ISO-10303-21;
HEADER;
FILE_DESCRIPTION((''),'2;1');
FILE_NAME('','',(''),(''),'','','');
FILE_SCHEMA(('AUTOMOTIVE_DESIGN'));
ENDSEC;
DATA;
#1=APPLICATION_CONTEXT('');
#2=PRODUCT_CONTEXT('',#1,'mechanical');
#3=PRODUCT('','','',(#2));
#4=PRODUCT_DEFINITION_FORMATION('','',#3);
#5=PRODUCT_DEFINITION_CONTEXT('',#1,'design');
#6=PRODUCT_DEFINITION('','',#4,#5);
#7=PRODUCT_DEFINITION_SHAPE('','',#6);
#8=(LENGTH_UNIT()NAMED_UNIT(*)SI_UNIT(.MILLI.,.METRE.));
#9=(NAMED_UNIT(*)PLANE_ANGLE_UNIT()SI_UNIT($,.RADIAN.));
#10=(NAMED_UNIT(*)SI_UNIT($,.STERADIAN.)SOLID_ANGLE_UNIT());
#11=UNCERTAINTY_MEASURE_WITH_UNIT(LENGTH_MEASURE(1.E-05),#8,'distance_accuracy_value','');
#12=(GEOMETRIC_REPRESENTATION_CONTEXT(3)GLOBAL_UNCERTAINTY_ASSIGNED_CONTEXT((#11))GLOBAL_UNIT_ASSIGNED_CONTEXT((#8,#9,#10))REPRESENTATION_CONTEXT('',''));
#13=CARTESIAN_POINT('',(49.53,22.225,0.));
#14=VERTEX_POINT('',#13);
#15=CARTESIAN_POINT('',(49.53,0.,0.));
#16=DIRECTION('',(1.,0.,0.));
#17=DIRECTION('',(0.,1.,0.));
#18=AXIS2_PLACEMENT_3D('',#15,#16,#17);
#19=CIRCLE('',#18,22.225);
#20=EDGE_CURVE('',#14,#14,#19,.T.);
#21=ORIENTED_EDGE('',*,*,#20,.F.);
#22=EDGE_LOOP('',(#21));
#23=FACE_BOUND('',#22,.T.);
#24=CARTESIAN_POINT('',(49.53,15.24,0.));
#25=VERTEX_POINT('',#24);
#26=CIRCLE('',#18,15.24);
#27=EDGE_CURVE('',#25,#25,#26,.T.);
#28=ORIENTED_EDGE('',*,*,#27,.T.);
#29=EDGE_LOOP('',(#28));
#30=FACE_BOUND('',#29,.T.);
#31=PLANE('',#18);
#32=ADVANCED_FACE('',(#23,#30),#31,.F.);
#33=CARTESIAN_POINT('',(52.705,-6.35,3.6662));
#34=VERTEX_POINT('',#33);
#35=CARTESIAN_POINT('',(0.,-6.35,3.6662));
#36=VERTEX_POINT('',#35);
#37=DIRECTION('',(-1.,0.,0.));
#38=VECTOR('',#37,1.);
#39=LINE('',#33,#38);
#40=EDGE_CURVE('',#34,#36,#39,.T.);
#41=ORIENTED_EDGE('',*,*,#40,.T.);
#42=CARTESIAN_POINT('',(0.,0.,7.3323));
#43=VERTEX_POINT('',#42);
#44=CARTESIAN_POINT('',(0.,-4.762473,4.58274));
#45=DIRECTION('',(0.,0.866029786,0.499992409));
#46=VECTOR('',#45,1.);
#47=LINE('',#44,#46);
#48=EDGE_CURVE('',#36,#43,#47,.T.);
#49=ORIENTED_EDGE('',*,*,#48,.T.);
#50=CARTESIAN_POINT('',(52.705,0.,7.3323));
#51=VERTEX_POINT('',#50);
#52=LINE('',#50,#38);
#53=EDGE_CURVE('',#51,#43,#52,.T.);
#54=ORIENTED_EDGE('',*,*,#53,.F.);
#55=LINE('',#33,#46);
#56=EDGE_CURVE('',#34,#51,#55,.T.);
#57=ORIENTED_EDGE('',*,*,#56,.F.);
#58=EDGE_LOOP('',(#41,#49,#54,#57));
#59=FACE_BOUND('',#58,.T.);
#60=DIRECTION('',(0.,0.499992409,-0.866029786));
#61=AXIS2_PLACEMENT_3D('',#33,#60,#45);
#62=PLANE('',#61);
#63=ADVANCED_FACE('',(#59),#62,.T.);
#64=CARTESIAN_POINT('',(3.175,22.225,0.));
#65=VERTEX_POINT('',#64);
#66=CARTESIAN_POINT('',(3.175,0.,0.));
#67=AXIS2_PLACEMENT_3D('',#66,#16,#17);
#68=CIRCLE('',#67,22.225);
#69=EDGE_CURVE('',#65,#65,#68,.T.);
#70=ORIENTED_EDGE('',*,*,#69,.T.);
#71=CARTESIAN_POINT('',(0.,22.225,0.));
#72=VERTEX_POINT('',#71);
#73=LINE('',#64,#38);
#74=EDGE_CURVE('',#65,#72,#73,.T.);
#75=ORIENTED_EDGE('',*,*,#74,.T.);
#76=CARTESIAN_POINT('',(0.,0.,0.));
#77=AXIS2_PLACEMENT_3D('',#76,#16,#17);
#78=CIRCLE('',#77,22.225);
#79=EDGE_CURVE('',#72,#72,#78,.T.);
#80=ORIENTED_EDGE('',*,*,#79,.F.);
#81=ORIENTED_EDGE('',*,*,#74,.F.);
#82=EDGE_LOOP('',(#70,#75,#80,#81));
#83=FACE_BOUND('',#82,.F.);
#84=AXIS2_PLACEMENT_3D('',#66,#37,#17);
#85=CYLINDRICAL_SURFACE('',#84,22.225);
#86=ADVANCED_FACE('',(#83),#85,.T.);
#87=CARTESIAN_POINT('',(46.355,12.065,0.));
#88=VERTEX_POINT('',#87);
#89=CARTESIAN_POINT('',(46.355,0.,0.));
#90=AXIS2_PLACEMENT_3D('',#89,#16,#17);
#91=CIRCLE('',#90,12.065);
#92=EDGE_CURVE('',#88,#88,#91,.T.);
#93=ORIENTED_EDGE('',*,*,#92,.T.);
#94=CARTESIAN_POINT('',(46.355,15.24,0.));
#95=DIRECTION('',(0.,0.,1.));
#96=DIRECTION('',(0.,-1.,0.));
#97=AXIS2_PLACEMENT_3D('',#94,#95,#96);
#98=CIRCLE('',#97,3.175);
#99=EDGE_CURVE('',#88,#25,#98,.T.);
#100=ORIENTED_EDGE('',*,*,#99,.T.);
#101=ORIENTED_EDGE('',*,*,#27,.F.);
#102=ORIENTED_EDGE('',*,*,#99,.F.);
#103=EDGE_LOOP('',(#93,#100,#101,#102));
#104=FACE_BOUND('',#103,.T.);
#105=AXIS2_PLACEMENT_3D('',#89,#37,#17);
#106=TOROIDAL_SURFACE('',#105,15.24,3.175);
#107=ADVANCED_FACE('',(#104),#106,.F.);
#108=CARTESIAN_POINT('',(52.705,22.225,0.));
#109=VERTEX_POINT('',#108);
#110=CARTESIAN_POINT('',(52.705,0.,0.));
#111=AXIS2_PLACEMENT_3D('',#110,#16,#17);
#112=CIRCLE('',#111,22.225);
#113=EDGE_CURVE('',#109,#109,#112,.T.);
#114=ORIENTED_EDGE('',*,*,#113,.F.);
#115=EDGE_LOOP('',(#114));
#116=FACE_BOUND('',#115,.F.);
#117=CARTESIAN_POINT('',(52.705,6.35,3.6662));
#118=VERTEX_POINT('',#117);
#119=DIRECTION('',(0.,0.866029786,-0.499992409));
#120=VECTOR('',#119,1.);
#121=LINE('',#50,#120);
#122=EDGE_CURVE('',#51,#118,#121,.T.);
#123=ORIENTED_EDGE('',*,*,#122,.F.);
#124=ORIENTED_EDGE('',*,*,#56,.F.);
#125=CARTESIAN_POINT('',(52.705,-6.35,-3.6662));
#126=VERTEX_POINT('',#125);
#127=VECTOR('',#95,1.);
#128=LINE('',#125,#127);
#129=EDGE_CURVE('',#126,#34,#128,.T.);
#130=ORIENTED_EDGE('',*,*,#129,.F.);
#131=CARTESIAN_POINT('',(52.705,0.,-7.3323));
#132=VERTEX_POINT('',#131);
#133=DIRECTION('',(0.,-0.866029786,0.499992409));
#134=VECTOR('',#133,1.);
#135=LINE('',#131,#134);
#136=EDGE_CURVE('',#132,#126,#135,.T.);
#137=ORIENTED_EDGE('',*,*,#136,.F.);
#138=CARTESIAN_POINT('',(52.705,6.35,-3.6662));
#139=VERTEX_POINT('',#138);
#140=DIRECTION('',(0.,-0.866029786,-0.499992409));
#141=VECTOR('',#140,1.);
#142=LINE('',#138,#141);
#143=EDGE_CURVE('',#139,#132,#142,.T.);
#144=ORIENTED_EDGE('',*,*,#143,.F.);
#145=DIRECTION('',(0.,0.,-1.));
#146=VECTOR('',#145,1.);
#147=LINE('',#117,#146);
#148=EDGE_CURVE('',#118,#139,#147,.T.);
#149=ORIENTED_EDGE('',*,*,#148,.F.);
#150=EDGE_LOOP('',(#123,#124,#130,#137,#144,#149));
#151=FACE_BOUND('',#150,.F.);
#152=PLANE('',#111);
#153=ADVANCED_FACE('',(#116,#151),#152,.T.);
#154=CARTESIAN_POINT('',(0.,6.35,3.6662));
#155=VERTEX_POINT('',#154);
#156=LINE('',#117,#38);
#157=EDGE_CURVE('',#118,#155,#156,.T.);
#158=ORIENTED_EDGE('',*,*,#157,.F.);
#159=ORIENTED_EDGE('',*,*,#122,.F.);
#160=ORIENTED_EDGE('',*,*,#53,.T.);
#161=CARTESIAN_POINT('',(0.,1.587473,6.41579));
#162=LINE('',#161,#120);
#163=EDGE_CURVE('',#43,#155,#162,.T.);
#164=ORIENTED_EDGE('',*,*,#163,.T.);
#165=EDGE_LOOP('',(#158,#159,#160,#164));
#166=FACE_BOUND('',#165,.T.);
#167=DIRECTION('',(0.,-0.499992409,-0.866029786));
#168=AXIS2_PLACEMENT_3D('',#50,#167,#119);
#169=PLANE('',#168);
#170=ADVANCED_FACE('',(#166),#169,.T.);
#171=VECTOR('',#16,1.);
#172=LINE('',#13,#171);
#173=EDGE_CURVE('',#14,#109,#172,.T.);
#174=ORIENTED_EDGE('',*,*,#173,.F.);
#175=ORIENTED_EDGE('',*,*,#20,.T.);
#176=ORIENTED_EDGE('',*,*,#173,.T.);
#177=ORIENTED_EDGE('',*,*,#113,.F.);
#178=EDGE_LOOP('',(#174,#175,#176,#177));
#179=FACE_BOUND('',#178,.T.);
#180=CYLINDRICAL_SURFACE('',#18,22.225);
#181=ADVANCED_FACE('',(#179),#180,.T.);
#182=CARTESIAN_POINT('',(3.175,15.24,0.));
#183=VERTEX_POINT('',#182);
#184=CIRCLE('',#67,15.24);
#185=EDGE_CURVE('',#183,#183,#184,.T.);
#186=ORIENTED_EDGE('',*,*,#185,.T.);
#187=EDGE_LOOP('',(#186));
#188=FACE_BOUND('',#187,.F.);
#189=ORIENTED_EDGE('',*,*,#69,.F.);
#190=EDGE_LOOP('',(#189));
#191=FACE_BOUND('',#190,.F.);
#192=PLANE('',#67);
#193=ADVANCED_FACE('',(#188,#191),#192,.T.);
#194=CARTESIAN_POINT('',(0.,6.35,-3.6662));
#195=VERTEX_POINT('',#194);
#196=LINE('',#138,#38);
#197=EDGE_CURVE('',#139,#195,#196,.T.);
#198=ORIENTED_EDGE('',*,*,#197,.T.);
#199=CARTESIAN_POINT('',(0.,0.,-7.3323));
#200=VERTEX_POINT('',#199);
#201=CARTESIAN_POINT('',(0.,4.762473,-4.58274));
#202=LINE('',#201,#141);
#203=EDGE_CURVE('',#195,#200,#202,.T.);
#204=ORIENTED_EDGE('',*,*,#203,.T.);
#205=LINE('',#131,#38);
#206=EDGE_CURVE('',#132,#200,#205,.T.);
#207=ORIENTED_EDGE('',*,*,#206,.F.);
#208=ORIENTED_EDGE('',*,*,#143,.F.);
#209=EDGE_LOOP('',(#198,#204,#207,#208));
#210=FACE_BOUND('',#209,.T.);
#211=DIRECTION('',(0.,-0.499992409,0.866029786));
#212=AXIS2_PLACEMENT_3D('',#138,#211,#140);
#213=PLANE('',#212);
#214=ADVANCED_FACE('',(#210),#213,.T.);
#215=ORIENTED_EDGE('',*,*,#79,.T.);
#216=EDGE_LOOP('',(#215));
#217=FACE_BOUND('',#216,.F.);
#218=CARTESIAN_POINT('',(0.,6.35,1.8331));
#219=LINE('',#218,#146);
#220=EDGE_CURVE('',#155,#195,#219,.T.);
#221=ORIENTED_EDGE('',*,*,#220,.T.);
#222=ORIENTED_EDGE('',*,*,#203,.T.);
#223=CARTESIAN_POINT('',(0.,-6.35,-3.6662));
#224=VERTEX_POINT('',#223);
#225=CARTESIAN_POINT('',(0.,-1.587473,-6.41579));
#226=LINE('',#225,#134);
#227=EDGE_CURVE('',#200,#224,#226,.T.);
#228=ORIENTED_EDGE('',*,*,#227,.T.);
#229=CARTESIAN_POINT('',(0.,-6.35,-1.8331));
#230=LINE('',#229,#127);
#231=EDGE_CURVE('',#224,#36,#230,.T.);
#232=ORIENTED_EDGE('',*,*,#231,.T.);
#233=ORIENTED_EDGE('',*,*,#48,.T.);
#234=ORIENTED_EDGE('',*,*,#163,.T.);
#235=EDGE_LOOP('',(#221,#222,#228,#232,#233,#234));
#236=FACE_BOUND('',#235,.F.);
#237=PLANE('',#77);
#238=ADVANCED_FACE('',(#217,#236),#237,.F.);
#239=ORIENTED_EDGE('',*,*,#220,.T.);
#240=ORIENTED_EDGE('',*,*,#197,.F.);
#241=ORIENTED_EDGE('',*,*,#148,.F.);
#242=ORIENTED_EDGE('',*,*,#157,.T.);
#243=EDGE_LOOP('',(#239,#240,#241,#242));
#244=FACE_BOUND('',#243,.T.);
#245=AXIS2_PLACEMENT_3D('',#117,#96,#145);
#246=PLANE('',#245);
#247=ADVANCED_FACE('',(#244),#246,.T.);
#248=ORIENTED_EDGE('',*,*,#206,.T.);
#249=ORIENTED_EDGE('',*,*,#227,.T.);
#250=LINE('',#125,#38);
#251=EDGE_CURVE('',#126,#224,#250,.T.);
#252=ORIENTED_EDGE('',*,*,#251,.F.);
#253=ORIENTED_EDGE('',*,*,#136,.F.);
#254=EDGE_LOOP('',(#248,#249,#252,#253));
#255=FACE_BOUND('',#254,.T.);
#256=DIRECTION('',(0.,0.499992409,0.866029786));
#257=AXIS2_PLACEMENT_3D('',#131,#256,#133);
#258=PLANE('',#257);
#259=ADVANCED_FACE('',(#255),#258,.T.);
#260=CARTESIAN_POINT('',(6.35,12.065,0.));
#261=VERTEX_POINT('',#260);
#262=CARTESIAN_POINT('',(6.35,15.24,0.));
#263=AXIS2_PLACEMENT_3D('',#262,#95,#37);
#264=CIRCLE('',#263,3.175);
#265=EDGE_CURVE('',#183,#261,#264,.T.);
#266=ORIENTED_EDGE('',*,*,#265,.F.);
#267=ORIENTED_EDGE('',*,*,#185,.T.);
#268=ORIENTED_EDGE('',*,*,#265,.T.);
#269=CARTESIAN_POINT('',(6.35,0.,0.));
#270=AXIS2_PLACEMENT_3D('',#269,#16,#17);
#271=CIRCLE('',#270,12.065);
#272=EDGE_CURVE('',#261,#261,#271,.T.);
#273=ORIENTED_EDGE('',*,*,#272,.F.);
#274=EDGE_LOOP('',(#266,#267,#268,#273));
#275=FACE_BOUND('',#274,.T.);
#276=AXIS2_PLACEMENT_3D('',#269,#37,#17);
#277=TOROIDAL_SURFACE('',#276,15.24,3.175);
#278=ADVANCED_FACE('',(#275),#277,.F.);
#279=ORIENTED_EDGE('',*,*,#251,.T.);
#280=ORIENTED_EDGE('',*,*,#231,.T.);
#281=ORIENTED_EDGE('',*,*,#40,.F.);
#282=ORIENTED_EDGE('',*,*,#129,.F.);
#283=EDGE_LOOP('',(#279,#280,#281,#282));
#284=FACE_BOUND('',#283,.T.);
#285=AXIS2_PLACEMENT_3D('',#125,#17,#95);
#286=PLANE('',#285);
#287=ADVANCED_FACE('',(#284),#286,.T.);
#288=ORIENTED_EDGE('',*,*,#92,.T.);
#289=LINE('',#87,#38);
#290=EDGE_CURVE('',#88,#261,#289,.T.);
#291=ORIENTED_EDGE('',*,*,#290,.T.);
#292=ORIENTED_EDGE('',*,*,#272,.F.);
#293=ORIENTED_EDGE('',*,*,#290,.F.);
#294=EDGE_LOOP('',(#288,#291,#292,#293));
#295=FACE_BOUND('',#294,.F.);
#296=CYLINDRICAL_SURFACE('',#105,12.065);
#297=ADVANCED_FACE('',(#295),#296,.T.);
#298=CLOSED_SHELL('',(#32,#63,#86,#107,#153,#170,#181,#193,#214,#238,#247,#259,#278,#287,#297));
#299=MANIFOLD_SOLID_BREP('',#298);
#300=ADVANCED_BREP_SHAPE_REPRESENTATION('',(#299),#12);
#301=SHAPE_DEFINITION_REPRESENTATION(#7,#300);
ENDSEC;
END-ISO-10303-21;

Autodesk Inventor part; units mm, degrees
ref_plane "YZ Plane" through (0, 0, 0) normal (1, 0, 0) x (0, 1, 0)
ref_plane "XZ Plane" through (0, 0, 0) normal (0, 1, 0) x (-1, 0, 0)
ref_plane "XY Plane" through (0, 0, 0) normal (0, 0, 1) x (1, 0, 0)
sketch "Sketch1" plane through (0, 0, 0) normal (0, 0, 1) x (1, 0, 0)
  line L0 (0, 0) -> (3.175, 0)
  line L1 (3.175, 15.24) -> (3.175, 22.225)
  line L2 (3.175, 22.225) -> (0, 22.225)
  line L3 (0, 22.225) -> (0, 0)
  line L4 (0, 0) -> (52.705, 0)
  line L5 (52.705, 0) -> (52.705, 12.065)
  line L6 (46.355, 12.065) -> (6.35, 12.065)
  line L7 (0, 12.065) -> (0, 0)
  line L8 (52.705, 0) -> (49.53, 0)
  line L9 (49.53, 15.24) -> (49.53, 22.225)
  line L10 (49.53, 22.225) -> (52.705, 22.225)
  line L11 (52.705, 22.225) -> (52.705, 0)
  arc A0 (3.175, 15.24) -> (6.35, 12.065) centre (6.35, 15.24) ccw
  arc A1 (46.355, 12.065) -> (49.53, 15.24) centre (46.355, 15.24) ccw
  dimension "d0" = 52.705
  dimension "d1" = 22.225
  dimension "d2" = 12.065
  dimension "d3" = 3.175
  dimension "d4" = 3.175
  dimension "d5" = 3.175
revolve "Revolution1" add sketch "Sketch1" angle 360 about axis through (0, 0, 0) along (1, 0, 0)
sketch "Sketch2" plane through (52.705, 0, 0) normal (1, 0, 0) x (0, 0, -1)
  line L0 (7.3323, 0) -> (3.6662, -6.35)
  line L1 (3.6662, -6.35) -> (-3.6662, -6.35)
  line L2 (-3.6662, -6.35) -> (-7.3323, 0)
  line L3 (-7.3323, 0) -> (-3.6662, 6.35)
  line L4 (-3.6662, 6.35) -> (3.6662, 6.35)
  line L5 (3.6662, 6.35) -> (7.3323, 0)
  point P0 (0, 0)
  point P1 (0, 0)
  dimension "d7" = 12.7
extrude "Extrusion1" cut sketch "Sketch2" against normal through all
properties part number "CLB_061_Winch" material "ABS Plastic"
